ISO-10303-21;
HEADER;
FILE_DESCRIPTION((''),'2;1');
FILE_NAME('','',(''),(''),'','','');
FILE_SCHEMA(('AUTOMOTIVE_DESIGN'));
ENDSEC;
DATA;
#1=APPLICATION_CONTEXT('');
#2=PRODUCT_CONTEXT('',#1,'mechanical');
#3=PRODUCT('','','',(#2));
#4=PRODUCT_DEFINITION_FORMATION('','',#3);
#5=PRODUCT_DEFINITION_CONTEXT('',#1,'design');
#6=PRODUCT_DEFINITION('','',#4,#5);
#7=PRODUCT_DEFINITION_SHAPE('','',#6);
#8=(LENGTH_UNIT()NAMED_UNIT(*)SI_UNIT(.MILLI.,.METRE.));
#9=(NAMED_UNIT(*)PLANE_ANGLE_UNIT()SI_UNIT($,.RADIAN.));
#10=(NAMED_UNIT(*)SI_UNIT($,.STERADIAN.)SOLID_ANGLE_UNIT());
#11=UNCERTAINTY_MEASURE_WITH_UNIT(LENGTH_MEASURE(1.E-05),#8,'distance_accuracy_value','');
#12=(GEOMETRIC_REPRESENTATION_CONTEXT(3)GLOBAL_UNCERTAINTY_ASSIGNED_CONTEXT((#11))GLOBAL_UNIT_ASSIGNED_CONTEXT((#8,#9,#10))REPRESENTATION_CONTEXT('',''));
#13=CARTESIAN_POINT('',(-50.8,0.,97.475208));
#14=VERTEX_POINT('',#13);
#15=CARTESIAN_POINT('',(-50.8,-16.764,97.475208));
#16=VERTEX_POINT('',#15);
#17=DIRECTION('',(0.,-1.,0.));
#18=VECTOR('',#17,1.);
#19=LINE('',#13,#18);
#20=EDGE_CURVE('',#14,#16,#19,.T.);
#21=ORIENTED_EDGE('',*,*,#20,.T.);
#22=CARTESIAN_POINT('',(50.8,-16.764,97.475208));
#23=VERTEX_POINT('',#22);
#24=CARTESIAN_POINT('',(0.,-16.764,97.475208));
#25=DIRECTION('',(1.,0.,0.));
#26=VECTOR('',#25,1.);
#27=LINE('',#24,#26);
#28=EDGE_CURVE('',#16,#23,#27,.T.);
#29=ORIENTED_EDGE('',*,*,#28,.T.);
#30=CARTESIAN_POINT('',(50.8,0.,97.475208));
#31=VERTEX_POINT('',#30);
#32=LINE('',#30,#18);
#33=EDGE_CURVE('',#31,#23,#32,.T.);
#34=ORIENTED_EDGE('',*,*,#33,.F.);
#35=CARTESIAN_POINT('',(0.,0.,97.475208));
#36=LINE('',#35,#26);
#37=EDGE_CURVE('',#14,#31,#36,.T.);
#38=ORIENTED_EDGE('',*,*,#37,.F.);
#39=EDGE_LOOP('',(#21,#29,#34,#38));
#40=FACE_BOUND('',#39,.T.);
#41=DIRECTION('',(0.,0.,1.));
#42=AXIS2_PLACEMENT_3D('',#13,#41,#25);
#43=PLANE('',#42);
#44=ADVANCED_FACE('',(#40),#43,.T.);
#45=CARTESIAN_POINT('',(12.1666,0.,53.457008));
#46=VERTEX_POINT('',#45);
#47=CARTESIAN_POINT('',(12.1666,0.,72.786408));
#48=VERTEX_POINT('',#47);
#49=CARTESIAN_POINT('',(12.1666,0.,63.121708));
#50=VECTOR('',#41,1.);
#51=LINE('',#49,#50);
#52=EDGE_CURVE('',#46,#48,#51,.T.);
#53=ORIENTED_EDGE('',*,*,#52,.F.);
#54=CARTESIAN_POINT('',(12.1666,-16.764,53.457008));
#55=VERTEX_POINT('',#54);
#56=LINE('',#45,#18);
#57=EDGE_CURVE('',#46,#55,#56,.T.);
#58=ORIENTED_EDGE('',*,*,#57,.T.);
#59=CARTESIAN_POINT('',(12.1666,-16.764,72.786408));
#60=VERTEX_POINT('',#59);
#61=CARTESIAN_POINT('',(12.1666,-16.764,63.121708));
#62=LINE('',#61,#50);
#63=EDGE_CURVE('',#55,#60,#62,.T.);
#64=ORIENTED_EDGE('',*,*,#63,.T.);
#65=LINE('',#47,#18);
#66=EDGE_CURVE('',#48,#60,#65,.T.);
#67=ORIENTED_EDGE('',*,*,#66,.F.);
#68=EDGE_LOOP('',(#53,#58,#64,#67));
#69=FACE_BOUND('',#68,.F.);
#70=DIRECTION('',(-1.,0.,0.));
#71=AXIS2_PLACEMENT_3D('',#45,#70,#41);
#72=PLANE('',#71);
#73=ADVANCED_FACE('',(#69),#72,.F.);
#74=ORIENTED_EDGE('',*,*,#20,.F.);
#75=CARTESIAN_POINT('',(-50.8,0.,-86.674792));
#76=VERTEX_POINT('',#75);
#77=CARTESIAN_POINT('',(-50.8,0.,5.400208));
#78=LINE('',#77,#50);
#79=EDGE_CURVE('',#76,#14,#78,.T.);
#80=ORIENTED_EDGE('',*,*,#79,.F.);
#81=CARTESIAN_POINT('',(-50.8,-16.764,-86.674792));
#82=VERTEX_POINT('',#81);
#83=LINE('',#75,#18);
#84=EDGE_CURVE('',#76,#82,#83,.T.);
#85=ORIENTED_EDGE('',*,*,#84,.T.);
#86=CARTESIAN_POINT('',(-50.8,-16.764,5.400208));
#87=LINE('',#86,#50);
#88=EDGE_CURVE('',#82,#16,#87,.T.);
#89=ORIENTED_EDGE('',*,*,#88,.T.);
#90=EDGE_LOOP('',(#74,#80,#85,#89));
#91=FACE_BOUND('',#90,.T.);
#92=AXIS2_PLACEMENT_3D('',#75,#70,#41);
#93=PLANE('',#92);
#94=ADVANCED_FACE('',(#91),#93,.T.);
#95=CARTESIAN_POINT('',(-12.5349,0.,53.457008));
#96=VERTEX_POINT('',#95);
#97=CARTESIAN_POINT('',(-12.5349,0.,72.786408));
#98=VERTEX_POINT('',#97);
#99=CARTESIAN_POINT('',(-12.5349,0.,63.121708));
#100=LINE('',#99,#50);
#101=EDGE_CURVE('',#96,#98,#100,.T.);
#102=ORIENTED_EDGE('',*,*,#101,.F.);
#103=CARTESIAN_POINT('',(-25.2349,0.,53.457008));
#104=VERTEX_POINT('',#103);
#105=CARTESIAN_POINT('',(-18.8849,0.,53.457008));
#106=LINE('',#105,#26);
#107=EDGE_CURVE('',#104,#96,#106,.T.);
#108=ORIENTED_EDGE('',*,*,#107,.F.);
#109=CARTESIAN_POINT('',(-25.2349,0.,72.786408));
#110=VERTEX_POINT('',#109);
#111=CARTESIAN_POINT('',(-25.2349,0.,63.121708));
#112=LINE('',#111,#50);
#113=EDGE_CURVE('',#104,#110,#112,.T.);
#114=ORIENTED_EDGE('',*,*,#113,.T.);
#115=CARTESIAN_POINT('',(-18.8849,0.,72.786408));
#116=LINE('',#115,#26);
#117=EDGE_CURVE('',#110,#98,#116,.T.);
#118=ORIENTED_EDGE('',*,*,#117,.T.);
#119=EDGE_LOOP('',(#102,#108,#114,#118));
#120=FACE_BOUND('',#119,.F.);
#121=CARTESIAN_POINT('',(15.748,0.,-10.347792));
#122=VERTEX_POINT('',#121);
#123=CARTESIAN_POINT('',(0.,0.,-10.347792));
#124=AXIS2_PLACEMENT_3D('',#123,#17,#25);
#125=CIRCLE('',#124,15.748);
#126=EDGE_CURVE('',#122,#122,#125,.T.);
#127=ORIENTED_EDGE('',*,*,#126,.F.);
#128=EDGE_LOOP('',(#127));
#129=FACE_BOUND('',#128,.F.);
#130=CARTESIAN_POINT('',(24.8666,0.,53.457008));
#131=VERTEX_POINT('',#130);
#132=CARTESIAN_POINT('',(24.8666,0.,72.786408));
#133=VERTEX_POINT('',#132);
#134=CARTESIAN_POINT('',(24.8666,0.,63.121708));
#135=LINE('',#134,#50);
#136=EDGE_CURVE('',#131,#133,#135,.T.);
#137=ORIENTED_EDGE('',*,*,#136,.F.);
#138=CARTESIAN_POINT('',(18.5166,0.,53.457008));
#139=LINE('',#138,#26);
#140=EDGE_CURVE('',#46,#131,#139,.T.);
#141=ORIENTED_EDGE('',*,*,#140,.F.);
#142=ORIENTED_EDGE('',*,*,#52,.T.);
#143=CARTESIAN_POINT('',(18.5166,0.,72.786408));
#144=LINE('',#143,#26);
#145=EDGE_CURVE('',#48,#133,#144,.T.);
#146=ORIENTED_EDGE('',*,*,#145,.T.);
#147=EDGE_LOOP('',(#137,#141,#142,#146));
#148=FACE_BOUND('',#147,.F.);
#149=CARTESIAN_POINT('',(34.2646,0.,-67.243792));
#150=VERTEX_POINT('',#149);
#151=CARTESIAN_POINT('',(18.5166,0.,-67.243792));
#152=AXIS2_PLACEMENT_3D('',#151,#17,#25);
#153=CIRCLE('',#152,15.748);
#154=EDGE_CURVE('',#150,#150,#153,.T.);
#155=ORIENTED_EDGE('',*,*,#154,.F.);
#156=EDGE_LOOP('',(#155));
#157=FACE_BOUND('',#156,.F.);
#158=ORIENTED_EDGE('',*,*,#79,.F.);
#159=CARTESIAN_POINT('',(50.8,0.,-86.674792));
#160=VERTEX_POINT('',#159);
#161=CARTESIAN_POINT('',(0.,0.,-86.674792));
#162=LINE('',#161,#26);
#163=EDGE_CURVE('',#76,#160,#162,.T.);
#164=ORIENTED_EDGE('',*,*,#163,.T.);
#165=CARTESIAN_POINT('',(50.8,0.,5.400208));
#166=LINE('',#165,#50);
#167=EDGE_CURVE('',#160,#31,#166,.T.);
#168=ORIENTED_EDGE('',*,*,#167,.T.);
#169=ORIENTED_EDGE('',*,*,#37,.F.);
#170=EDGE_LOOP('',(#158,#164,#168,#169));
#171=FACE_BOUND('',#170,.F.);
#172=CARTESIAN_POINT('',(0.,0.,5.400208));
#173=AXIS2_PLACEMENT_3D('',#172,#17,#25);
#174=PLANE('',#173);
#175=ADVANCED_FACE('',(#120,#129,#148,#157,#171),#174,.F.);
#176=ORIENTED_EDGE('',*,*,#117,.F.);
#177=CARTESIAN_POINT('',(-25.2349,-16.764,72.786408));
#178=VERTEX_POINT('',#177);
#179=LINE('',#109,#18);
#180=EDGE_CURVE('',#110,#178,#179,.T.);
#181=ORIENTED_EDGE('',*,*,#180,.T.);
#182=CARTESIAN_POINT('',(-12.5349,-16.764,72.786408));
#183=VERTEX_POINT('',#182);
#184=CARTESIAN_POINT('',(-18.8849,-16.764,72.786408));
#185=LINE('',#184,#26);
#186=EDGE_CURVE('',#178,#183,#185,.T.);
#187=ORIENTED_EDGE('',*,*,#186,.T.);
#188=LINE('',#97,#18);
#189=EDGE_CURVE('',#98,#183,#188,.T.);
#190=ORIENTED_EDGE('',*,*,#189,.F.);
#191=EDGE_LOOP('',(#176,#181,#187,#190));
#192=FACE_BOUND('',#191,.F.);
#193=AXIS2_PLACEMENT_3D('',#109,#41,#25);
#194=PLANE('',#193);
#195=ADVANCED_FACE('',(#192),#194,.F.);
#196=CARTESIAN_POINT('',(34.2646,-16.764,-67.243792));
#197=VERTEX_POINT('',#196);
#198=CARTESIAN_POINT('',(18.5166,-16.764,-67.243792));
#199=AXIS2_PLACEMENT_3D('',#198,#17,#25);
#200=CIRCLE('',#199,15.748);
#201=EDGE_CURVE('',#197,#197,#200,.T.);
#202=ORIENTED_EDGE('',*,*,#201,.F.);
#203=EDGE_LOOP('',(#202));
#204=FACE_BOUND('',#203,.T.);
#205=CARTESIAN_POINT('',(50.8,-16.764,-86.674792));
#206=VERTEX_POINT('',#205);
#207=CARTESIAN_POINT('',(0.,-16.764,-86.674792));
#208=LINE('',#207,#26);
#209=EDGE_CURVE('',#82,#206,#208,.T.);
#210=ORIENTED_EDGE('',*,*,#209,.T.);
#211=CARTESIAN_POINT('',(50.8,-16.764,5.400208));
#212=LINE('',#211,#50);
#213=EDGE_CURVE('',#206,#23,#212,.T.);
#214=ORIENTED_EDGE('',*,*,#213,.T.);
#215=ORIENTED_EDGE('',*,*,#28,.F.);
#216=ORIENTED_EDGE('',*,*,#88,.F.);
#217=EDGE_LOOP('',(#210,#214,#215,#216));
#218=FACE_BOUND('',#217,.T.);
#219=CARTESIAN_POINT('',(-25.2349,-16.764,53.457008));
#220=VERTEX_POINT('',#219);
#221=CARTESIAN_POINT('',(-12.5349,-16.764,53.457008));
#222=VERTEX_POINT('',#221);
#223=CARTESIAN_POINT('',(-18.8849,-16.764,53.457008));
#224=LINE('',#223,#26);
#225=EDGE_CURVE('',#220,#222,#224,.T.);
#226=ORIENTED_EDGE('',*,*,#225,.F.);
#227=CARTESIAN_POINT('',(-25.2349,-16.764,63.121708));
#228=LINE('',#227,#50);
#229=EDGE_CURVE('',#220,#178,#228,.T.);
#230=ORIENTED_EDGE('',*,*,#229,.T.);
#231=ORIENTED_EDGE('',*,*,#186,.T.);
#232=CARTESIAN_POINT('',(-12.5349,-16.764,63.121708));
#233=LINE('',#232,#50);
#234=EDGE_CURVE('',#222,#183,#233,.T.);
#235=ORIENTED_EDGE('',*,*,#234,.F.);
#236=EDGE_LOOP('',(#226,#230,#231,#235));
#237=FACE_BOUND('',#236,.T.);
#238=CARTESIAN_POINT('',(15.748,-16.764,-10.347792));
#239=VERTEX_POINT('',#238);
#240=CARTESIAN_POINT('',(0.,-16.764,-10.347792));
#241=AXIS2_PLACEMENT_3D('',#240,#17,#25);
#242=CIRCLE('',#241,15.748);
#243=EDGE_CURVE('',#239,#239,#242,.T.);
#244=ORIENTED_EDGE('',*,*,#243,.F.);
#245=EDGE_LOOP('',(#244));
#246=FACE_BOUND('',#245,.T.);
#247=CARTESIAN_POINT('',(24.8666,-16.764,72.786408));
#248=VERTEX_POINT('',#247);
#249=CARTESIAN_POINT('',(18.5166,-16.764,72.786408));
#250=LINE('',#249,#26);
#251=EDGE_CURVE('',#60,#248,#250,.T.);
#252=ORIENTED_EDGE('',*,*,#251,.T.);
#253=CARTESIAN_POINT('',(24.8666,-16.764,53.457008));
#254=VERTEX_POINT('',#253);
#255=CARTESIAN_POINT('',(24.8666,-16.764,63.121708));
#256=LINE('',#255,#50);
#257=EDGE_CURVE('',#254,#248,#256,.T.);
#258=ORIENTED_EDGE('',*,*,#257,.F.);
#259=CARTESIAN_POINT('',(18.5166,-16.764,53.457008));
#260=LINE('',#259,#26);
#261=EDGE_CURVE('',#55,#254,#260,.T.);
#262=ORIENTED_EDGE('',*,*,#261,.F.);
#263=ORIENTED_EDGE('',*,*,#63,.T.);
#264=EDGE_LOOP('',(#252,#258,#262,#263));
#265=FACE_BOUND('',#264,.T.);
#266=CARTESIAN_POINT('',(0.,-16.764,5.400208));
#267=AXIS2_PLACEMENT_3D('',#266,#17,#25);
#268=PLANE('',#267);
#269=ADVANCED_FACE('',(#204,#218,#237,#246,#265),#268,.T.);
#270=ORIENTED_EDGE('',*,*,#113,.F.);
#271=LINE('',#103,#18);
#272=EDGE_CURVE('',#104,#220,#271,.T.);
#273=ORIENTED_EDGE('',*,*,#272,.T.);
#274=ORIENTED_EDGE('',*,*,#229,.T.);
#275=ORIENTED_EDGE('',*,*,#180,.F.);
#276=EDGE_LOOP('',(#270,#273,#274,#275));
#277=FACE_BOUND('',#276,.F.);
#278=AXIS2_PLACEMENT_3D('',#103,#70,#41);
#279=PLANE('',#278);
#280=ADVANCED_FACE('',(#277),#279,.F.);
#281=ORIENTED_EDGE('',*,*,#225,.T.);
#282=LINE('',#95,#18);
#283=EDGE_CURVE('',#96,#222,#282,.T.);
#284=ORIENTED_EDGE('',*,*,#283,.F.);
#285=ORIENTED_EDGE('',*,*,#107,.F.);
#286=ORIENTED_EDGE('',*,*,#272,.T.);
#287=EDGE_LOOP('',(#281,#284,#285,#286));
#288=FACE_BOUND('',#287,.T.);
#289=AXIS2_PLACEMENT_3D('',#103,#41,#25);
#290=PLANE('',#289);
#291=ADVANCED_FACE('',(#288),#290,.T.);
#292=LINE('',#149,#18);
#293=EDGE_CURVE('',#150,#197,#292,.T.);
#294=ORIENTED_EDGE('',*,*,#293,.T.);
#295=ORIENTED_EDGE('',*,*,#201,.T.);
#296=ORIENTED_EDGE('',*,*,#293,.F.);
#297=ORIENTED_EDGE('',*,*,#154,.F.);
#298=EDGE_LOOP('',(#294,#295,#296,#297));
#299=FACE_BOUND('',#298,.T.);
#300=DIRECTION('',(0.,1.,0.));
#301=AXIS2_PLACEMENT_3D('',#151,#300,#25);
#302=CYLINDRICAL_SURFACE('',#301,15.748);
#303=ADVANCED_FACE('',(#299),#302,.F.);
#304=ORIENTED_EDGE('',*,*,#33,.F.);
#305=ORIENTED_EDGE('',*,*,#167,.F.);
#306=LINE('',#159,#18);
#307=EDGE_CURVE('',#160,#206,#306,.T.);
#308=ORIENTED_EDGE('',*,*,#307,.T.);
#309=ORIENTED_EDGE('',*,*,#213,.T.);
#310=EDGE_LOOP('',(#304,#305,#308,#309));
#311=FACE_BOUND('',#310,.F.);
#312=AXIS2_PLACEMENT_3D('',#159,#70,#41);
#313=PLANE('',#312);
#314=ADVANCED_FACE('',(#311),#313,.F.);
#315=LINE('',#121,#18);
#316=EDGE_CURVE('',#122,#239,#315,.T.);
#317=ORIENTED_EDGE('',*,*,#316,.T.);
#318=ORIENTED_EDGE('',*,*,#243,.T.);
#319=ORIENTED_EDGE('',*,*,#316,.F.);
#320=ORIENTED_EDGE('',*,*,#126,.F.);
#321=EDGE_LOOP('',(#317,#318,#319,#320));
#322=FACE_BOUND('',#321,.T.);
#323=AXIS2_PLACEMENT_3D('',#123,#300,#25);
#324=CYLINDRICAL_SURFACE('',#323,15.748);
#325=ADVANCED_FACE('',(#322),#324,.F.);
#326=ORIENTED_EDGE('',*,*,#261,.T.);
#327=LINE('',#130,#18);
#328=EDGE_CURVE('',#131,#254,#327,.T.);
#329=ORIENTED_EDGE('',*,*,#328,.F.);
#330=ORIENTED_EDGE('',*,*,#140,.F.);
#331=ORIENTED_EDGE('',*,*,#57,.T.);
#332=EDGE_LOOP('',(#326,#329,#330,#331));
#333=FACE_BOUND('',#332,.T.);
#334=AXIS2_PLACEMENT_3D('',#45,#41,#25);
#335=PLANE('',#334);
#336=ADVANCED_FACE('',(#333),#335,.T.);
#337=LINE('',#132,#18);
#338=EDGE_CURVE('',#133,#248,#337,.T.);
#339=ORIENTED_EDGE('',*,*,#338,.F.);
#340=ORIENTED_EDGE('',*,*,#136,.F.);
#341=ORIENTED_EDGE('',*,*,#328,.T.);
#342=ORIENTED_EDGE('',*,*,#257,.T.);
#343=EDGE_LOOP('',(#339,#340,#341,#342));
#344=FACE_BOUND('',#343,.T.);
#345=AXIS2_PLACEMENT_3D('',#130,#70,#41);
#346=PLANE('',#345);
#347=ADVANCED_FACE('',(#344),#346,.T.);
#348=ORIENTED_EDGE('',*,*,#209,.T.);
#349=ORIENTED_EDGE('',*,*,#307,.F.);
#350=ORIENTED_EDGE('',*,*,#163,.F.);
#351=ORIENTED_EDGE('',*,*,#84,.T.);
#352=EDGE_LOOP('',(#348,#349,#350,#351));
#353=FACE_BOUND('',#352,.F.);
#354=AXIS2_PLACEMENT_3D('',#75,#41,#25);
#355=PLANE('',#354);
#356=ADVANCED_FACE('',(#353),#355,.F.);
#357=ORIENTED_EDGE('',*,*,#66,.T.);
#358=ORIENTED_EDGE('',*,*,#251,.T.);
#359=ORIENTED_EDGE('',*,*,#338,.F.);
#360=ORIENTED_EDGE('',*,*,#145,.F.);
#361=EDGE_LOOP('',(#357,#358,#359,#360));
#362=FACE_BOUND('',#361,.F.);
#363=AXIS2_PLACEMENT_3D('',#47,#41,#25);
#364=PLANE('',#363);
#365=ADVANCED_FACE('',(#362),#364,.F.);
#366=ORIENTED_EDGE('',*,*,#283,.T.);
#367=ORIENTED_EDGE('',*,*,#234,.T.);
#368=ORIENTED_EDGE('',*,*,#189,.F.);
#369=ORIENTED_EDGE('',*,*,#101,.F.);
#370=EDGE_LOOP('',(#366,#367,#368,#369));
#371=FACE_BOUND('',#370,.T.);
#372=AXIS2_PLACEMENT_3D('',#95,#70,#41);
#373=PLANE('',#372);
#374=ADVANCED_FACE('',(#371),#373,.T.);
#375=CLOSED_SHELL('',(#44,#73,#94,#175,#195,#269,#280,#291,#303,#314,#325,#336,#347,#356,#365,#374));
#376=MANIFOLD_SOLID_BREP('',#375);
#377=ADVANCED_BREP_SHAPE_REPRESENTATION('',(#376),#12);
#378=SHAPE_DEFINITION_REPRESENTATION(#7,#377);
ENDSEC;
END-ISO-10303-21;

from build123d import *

# Parameters (mm, degrees)
F0_W     = 101.6
F0_H     = 184.15
F0_R     = 15.748
F0_W_2   = 12.7
F0_H_2   = 19.3294
F1_DEPTH = 16.764


with BuildPart() as f1:
    # F0 (on Front) → F1 (new body)
    with BuildSketch(Plane.XZ):
        with Locations((0, 5.400208)):
            Rectangle(F0_W, F0_H)
        with Locations((0, -10.347792)):
            Circle(F0_R, mode=Mode.SUBTRACT)
        with Locations((18.5166, -67.243792)):
            Circle(F0_R, mode=Mode.SUBTRACT)
        with Locations((-18.8849, 63.121708)):
            Rectangle(F0_W_2, F0_H_2, mode=Mode.SUBTRACT)
        with Locations((18.5166, 63.121708)):
            Rectangle(F0_W_2, F0_H_2, mode=Mode.SUBTRACT)
    extrude(amount=F1_DEPTH)


solid = f1.part
